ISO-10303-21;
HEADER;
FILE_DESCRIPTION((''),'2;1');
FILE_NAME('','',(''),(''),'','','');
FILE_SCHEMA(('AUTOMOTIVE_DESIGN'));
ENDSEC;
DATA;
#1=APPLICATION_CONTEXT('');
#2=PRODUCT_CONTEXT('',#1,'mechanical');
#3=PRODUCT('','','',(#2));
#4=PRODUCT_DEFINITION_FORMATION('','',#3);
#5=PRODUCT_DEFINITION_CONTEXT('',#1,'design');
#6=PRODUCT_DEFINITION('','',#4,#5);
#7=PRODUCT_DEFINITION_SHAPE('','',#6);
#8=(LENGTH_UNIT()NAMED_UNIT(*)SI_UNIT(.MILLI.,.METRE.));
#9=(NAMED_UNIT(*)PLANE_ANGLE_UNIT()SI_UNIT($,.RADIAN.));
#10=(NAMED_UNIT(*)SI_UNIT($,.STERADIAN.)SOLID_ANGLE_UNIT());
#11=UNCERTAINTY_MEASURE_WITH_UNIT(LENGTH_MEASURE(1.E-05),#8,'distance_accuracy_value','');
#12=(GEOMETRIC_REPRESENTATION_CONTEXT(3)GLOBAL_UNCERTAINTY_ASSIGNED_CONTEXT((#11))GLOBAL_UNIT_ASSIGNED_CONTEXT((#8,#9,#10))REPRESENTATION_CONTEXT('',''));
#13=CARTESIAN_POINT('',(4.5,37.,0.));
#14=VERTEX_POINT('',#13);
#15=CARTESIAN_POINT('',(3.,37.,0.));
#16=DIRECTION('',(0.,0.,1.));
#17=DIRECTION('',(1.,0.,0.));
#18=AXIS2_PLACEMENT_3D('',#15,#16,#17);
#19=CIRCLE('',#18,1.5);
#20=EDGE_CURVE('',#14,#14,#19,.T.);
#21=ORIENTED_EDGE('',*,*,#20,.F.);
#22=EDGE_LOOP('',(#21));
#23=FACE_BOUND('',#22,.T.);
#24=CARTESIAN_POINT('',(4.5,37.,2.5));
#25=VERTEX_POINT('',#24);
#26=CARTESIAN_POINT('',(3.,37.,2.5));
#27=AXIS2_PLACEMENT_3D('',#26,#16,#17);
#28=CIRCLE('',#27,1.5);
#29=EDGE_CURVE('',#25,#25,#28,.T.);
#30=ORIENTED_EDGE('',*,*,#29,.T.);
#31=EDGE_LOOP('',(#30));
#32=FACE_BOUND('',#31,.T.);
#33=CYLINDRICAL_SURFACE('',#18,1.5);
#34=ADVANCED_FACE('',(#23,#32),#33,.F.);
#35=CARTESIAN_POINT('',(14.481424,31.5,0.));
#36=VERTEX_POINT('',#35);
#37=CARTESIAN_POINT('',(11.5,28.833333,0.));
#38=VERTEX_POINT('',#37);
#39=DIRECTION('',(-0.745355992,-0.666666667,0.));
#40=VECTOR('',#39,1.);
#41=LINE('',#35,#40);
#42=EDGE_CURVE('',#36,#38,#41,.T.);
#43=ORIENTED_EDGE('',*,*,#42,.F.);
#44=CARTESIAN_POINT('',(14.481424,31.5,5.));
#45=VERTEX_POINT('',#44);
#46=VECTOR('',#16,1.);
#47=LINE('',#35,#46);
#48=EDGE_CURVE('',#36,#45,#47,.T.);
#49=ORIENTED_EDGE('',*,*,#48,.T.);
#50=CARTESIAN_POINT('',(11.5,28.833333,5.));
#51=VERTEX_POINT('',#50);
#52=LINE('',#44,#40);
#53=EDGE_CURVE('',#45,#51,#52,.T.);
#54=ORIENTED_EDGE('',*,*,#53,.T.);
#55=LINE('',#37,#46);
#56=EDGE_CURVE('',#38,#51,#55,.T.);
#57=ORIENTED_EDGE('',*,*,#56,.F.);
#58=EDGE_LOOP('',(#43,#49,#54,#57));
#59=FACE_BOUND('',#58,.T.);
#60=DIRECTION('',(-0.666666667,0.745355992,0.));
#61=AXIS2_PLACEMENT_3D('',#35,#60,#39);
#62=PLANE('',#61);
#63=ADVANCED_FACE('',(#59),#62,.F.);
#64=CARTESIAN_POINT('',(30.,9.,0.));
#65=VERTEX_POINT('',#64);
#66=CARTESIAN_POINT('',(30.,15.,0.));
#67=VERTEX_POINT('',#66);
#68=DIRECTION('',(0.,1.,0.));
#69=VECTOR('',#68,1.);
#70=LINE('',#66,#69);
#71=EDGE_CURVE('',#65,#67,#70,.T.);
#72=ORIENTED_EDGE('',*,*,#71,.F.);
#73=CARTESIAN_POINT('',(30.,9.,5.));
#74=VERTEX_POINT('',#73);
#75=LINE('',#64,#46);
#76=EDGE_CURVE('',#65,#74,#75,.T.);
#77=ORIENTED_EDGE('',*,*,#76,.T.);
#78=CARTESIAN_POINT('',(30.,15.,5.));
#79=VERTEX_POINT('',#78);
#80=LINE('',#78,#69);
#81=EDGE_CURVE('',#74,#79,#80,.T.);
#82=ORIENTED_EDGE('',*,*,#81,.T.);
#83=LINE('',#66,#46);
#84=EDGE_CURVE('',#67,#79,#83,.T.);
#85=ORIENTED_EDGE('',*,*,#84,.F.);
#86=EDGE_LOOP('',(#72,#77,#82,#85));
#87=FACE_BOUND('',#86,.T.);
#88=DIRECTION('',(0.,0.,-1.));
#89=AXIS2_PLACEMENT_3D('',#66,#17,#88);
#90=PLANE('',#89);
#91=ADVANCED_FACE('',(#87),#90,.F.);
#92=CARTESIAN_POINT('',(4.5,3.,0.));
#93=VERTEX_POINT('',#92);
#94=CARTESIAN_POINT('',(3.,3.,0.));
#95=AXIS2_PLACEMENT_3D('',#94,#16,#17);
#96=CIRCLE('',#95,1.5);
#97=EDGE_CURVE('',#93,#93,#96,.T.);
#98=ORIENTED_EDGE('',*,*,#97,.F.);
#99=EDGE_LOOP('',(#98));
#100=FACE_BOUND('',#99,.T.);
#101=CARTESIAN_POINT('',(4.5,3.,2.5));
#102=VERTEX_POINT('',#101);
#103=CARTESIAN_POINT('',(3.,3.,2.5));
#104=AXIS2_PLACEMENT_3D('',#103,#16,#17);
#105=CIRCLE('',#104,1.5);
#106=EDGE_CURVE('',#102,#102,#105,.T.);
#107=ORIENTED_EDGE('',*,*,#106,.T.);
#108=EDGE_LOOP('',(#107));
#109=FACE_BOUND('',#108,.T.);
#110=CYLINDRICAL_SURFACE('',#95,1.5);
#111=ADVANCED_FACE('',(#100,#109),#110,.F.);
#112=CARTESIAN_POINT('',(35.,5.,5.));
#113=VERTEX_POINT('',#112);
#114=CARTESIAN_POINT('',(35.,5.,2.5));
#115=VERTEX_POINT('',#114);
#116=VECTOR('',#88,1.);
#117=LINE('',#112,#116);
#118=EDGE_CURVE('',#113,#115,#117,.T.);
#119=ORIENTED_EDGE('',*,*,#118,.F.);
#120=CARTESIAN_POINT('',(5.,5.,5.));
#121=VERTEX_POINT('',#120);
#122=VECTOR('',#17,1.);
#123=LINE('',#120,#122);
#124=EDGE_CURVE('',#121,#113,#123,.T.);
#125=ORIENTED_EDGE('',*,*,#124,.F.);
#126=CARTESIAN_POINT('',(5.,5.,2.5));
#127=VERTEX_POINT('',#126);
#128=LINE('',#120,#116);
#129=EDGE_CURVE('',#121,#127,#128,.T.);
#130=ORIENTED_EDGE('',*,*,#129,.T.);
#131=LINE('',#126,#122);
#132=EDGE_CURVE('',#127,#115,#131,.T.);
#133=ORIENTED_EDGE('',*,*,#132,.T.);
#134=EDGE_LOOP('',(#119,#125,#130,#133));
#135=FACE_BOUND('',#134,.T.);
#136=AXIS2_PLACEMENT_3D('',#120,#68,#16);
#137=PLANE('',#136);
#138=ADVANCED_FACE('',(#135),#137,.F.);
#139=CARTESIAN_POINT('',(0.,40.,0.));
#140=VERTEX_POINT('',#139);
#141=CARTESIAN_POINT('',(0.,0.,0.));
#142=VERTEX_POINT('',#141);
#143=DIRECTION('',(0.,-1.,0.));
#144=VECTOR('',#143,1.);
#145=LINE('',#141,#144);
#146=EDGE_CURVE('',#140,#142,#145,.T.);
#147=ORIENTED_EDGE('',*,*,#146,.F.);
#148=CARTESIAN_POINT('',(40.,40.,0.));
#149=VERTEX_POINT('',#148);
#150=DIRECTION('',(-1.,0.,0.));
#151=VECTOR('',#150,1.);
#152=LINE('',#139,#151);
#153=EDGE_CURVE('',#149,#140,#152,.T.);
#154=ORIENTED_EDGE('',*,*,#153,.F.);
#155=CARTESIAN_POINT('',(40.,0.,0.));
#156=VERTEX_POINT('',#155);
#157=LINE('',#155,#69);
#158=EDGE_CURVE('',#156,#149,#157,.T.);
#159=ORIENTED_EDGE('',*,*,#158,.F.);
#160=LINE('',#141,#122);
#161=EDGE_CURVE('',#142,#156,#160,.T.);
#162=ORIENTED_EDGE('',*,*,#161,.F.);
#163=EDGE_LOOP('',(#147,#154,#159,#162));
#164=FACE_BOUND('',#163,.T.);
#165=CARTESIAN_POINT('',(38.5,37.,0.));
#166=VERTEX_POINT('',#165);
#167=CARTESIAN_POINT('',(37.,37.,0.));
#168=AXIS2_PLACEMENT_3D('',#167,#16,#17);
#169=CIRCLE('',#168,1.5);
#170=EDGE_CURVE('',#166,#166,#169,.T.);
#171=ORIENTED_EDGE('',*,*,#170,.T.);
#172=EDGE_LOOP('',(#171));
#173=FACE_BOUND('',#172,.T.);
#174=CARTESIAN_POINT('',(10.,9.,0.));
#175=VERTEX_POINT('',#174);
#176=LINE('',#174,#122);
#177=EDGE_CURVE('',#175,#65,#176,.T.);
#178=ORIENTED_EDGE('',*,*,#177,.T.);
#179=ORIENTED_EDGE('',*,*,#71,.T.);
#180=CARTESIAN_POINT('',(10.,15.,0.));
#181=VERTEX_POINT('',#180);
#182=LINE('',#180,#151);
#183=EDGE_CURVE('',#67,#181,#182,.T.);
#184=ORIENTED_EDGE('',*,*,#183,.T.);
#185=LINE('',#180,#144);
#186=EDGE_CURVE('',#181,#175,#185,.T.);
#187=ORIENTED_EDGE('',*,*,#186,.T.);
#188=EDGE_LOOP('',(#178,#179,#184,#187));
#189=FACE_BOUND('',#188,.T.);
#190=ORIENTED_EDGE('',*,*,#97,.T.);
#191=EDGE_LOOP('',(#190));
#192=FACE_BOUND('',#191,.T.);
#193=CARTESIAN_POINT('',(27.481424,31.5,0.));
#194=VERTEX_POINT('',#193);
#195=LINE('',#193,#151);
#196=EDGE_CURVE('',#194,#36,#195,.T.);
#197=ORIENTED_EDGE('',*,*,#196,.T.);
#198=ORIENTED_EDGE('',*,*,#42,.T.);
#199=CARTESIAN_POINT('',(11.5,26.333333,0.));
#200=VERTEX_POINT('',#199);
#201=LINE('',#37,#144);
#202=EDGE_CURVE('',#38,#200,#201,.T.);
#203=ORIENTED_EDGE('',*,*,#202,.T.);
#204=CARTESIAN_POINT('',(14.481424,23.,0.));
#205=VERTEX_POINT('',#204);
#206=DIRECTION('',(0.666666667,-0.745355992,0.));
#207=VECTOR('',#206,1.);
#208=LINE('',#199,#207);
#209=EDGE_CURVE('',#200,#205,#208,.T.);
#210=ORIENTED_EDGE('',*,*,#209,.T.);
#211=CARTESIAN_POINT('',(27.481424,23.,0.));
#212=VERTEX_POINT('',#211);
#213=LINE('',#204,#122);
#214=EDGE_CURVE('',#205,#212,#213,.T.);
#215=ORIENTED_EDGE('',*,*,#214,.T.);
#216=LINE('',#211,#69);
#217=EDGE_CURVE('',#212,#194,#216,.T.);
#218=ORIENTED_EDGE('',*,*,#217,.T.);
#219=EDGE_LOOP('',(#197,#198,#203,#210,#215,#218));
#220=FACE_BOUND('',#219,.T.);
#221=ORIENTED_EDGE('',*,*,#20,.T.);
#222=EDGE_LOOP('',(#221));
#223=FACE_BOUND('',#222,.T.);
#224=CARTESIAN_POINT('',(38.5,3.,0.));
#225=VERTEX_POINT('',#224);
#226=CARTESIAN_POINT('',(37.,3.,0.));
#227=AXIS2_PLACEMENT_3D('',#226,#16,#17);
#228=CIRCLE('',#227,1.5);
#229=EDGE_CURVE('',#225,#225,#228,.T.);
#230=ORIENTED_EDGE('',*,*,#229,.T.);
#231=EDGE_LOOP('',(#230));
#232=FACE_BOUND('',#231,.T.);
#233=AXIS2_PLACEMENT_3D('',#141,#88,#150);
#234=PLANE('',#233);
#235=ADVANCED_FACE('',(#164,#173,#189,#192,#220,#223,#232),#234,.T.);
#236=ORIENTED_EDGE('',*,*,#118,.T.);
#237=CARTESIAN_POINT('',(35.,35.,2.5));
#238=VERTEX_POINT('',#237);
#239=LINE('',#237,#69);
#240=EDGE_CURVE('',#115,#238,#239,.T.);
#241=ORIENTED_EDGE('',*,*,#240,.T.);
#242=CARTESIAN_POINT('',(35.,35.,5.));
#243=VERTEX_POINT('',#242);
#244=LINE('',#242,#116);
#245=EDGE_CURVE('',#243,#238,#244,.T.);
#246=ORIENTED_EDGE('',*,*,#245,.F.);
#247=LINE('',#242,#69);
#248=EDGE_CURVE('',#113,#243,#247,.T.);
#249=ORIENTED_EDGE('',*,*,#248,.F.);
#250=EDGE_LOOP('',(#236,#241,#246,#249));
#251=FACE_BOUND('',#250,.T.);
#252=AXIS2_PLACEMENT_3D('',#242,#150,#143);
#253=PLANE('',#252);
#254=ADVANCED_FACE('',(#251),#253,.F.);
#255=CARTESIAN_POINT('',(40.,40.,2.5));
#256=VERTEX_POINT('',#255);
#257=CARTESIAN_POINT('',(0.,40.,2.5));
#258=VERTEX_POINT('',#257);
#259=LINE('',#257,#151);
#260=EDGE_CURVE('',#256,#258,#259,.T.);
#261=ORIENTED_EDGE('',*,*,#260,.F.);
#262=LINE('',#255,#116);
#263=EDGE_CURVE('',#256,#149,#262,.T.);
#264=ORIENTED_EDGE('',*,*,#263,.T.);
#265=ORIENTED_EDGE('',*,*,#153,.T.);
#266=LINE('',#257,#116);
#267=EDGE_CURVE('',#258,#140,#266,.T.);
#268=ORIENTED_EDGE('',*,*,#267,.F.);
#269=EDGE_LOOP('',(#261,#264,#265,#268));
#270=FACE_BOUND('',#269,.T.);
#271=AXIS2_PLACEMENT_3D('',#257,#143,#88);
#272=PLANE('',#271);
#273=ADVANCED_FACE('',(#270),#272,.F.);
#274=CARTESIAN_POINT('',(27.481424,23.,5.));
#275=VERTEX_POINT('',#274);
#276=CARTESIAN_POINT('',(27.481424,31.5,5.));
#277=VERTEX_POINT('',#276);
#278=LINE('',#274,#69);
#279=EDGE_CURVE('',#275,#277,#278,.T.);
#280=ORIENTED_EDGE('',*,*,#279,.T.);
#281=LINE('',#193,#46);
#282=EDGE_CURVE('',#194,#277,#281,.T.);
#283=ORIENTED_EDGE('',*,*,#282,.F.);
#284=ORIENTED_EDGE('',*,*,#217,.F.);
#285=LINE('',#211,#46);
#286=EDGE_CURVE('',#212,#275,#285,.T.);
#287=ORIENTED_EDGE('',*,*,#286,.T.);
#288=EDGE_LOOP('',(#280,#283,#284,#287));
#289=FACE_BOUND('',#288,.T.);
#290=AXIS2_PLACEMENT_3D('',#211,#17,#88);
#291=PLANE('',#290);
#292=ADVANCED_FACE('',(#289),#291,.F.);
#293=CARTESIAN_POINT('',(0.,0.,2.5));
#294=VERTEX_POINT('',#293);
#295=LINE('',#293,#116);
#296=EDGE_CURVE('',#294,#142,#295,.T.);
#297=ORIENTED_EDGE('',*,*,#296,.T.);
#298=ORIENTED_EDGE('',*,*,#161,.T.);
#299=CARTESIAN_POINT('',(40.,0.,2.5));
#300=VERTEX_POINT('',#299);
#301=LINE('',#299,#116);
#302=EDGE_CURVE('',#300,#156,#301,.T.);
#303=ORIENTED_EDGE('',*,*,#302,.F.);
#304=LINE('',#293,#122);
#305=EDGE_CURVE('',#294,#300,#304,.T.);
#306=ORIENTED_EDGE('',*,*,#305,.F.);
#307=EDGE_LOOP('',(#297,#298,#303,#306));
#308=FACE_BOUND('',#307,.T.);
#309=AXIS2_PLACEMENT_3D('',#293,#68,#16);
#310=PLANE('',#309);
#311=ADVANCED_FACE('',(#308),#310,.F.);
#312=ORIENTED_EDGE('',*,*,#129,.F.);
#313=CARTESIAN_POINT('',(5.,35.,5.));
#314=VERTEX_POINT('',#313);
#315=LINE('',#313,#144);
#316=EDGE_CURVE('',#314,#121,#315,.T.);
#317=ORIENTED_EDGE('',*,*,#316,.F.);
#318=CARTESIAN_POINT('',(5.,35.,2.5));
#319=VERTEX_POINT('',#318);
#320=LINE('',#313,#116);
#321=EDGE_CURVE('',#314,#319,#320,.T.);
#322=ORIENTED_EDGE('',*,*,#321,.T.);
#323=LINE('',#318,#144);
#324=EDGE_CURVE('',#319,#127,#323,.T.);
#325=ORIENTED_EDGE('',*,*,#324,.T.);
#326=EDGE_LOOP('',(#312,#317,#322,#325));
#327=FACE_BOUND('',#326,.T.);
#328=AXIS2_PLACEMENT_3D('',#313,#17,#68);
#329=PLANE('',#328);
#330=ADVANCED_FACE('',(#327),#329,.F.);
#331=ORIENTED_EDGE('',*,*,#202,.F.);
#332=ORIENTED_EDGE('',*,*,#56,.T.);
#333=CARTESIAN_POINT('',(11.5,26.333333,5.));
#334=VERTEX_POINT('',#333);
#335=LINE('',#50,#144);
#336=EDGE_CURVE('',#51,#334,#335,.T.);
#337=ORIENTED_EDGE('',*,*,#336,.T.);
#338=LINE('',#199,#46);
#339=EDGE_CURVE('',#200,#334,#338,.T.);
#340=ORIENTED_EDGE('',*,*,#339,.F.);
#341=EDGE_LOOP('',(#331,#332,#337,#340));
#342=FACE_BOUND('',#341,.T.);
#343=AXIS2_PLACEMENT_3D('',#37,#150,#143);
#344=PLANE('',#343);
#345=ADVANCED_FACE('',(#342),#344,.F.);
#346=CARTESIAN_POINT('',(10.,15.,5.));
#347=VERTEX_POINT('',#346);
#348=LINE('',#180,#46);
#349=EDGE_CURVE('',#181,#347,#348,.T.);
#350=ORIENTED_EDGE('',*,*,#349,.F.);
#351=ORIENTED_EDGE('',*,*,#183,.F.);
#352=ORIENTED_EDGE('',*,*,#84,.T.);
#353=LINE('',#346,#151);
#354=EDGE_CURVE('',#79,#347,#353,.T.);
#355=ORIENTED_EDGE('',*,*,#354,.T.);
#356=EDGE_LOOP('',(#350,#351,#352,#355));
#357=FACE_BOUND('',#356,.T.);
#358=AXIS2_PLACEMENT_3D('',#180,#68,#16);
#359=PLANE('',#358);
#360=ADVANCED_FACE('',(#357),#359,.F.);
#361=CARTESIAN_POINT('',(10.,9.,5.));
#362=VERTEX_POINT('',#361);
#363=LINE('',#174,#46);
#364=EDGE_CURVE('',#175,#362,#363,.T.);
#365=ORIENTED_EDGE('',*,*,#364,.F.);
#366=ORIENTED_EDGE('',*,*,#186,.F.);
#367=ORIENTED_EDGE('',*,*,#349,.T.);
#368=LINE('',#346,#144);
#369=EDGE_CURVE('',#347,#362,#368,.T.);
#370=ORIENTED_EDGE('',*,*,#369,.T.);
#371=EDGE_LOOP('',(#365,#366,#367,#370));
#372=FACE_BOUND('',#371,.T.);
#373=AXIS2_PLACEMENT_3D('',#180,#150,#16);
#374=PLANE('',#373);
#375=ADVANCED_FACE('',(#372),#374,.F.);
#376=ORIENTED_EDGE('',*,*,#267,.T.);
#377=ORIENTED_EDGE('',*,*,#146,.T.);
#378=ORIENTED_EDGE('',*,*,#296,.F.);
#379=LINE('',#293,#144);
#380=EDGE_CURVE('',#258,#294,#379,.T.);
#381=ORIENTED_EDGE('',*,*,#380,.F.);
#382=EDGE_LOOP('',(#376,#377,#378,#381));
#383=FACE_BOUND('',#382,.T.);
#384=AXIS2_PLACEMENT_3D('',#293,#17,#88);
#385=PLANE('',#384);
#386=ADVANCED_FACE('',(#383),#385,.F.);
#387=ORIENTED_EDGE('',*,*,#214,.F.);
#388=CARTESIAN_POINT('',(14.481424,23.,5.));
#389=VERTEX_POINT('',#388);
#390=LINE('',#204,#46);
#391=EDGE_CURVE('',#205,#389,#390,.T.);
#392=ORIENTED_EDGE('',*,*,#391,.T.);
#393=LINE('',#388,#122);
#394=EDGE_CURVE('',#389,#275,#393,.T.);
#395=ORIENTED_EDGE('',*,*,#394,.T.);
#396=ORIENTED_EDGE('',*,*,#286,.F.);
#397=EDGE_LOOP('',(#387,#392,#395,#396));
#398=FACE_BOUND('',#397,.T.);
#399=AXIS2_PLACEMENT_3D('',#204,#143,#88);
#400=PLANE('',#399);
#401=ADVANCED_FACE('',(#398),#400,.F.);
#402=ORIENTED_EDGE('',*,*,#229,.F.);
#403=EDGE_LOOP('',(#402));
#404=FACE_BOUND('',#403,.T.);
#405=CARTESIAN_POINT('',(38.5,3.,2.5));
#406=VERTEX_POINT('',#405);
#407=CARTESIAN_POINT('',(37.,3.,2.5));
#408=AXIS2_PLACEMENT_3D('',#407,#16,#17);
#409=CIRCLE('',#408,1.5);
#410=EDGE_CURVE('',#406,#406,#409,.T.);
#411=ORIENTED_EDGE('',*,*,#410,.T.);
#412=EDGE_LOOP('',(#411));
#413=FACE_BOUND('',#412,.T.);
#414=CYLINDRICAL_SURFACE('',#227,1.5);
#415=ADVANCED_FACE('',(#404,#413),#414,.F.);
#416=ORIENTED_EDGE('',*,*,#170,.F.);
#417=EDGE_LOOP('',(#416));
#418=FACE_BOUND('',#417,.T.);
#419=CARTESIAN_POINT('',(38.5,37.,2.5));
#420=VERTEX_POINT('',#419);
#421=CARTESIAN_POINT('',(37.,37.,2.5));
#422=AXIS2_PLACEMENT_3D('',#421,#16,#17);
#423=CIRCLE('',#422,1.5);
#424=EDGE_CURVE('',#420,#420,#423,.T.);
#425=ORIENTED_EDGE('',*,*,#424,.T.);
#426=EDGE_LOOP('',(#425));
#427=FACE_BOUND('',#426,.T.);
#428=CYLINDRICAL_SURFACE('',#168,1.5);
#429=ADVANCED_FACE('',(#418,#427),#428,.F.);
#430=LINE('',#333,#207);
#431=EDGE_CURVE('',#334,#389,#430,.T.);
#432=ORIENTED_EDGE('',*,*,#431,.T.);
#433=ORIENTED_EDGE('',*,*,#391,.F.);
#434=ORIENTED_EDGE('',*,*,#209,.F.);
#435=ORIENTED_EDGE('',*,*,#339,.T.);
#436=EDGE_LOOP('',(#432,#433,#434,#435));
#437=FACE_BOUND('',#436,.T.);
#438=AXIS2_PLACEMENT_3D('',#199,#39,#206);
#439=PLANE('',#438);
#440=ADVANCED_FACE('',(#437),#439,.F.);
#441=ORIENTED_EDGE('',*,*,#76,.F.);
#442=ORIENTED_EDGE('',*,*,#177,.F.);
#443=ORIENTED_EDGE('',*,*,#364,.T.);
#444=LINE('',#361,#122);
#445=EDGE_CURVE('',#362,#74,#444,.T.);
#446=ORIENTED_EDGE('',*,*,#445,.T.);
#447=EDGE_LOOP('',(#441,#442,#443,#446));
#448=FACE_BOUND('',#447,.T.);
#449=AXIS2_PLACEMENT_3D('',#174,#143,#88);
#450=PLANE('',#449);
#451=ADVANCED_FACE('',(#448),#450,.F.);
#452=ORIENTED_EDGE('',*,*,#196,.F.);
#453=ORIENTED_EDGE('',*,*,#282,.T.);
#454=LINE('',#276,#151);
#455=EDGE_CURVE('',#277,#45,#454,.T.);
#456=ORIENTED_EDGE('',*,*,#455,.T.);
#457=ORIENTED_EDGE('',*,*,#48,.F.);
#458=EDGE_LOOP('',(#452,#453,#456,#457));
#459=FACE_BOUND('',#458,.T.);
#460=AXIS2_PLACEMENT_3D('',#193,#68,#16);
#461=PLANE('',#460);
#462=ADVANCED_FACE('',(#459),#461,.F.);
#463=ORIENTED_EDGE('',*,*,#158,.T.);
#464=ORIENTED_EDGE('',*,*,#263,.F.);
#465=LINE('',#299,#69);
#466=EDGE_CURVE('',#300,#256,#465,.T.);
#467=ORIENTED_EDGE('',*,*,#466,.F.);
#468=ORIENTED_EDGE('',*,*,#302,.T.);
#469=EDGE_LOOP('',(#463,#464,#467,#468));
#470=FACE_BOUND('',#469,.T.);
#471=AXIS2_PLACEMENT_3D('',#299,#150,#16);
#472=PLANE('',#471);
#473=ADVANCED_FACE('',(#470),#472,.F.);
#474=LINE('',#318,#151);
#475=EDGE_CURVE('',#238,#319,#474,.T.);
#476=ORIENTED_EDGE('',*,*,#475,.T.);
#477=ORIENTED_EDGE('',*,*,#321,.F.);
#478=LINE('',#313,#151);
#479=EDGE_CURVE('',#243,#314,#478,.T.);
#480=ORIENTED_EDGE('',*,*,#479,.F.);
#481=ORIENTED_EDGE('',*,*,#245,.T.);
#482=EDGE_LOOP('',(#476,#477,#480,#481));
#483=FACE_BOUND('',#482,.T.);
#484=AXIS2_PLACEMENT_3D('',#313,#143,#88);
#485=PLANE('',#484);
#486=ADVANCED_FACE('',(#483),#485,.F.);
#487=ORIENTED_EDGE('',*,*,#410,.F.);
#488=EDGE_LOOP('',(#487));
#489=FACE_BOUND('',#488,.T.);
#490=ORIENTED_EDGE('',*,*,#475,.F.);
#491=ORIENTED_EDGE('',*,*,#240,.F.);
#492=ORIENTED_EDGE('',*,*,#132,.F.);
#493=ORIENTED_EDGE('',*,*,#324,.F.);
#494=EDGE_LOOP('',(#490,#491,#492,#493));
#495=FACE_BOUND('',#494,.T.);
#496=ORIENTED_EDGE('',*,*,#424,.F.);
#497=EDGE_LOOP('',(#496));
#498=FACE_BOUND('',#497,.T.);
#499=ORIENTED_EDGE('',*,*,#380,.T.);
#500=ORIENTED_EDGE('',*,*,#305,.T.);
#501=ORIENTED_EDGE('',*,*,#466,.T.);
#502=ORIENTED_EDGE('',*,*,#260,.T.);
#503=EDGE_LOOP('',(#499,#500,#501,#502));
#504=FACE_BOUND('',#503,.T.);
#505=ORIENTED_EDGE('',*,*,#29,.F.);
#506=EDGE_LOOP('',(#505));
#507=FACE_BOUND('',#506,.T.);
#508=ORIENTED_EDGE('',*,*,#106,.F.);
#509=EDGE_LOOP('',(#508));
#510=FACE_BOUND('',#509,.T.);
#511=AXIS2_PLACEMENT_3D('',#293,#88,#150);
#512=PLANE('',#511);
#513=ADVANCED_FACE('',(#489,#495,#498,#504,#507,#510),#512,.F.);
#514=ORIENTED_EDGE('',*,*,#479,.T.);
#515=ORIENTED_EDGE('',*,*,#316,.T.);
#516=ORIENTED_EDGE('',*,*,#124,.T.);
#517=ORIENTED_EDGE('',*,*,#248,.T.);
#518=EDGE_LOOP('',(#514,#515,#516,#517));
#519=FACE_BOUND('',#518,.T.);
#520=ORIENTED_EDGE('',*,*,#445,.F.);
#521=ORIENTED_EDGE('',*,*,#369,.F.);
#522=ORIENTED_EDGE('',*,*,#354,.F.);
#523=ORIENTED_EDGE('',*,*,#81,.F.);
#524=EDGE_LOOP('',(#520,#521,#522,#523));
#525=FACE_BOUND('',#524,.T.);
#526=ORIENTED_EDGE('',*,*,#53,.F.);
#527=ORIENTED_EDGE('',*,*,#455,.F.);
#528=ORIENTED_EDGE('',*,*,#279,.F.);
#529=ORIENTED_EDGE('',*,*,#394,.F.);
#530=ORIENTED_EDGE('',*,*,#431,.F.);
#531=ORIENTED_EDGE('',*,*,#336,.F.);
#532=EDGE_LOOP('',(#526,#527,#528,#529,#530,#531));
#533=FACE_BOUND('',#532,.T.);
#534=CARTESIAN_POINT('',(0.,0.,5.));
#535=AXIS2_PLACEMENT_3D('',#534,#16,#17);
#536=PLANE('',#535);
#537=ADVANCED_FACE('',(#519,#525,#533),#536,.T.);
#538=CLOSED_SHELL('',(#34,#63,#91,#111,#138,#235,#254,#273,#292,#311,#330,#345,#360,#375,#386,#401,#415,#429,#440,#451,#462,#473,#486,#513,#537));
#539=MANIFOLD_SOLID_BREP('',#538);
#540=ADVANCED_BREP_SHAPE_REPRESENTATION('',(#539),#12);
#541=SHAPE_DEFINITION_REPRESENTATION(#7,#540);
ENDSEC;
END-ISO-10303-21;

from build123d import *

# Parameters (mm, degrees)
SKETCH1_W           = 40
SKETCH1_H           = 40
BOSS_EXTRUDE2_DEPTH = 2.5
SKETCH2_W           = 30
SKETCH2_H           = 30
BOSS_EXTRUDE3_DEPTH = 2.5
SKETCH3_R           = 1.5
CUT_EXTRUDE1_DEPTH  = 2.5
SKETCH4_W           = 20
SKETCH4_H           = 6
CUT_EXTRUDE2_DEPTH  = 5


with BuildPart() as part:
    # Sketch1 → Boss-Extrude2 (new body)
    with BuildSketch(Plane.XY):
        with Locations((20, 20)):
            Rectangle(SKETCH1_W, SKETCH1_H)
    extrude(amount=BOSS_EXTRUDE2_DEPTH)

    # Sketch2 → Boss-Extrude3 (add)
    with BuildSketch(Plane.XY.offset(2.5)):
        with Locations((20, 20)):
            Rectangle(SKETCH2_W, SKETCH2_H)
    extrude(amount=BOSS_EXTRUDE3_DEPTH)

    # Sketch3 → Cut-Extrude1 (cut)
    with BuildSketch(Plane.XY.offset(2.5)):
        with Locations((3, 37)):
            Circle(SKETCH3_R)
        with Locations((37, 37)):
            Circle(SKETCH3_R)
        with Locations((37, 3)):
            Circle(SKETCH3_R)
        with Locations((3, 3)):
            Circle(SKETCH3_R)
    extrude(amount=-CUT_EXTRUDE1_DEPTH, mode=Mode.SUBTRACT)

    # Sketch4 → Cut-Extrude2 (cut)
    with BuildSketch(Plane.XY.offset(5)):
        Polygon((27.48142397, 31.5), (14.48142397, 31.5), (11.5, 28.833333333), (11.5, 26.333333333), (14.48142397, 23), (27.48142397, 23), align=None)
        with Locations((20, 12)):
            Rectangle(SKETCH4_W, SKETCH4_H)
    extrude(amount=-CUT_EXTRUDE2_DEPTH, mode=Mode.SUBTRACT)


solid = part.part
